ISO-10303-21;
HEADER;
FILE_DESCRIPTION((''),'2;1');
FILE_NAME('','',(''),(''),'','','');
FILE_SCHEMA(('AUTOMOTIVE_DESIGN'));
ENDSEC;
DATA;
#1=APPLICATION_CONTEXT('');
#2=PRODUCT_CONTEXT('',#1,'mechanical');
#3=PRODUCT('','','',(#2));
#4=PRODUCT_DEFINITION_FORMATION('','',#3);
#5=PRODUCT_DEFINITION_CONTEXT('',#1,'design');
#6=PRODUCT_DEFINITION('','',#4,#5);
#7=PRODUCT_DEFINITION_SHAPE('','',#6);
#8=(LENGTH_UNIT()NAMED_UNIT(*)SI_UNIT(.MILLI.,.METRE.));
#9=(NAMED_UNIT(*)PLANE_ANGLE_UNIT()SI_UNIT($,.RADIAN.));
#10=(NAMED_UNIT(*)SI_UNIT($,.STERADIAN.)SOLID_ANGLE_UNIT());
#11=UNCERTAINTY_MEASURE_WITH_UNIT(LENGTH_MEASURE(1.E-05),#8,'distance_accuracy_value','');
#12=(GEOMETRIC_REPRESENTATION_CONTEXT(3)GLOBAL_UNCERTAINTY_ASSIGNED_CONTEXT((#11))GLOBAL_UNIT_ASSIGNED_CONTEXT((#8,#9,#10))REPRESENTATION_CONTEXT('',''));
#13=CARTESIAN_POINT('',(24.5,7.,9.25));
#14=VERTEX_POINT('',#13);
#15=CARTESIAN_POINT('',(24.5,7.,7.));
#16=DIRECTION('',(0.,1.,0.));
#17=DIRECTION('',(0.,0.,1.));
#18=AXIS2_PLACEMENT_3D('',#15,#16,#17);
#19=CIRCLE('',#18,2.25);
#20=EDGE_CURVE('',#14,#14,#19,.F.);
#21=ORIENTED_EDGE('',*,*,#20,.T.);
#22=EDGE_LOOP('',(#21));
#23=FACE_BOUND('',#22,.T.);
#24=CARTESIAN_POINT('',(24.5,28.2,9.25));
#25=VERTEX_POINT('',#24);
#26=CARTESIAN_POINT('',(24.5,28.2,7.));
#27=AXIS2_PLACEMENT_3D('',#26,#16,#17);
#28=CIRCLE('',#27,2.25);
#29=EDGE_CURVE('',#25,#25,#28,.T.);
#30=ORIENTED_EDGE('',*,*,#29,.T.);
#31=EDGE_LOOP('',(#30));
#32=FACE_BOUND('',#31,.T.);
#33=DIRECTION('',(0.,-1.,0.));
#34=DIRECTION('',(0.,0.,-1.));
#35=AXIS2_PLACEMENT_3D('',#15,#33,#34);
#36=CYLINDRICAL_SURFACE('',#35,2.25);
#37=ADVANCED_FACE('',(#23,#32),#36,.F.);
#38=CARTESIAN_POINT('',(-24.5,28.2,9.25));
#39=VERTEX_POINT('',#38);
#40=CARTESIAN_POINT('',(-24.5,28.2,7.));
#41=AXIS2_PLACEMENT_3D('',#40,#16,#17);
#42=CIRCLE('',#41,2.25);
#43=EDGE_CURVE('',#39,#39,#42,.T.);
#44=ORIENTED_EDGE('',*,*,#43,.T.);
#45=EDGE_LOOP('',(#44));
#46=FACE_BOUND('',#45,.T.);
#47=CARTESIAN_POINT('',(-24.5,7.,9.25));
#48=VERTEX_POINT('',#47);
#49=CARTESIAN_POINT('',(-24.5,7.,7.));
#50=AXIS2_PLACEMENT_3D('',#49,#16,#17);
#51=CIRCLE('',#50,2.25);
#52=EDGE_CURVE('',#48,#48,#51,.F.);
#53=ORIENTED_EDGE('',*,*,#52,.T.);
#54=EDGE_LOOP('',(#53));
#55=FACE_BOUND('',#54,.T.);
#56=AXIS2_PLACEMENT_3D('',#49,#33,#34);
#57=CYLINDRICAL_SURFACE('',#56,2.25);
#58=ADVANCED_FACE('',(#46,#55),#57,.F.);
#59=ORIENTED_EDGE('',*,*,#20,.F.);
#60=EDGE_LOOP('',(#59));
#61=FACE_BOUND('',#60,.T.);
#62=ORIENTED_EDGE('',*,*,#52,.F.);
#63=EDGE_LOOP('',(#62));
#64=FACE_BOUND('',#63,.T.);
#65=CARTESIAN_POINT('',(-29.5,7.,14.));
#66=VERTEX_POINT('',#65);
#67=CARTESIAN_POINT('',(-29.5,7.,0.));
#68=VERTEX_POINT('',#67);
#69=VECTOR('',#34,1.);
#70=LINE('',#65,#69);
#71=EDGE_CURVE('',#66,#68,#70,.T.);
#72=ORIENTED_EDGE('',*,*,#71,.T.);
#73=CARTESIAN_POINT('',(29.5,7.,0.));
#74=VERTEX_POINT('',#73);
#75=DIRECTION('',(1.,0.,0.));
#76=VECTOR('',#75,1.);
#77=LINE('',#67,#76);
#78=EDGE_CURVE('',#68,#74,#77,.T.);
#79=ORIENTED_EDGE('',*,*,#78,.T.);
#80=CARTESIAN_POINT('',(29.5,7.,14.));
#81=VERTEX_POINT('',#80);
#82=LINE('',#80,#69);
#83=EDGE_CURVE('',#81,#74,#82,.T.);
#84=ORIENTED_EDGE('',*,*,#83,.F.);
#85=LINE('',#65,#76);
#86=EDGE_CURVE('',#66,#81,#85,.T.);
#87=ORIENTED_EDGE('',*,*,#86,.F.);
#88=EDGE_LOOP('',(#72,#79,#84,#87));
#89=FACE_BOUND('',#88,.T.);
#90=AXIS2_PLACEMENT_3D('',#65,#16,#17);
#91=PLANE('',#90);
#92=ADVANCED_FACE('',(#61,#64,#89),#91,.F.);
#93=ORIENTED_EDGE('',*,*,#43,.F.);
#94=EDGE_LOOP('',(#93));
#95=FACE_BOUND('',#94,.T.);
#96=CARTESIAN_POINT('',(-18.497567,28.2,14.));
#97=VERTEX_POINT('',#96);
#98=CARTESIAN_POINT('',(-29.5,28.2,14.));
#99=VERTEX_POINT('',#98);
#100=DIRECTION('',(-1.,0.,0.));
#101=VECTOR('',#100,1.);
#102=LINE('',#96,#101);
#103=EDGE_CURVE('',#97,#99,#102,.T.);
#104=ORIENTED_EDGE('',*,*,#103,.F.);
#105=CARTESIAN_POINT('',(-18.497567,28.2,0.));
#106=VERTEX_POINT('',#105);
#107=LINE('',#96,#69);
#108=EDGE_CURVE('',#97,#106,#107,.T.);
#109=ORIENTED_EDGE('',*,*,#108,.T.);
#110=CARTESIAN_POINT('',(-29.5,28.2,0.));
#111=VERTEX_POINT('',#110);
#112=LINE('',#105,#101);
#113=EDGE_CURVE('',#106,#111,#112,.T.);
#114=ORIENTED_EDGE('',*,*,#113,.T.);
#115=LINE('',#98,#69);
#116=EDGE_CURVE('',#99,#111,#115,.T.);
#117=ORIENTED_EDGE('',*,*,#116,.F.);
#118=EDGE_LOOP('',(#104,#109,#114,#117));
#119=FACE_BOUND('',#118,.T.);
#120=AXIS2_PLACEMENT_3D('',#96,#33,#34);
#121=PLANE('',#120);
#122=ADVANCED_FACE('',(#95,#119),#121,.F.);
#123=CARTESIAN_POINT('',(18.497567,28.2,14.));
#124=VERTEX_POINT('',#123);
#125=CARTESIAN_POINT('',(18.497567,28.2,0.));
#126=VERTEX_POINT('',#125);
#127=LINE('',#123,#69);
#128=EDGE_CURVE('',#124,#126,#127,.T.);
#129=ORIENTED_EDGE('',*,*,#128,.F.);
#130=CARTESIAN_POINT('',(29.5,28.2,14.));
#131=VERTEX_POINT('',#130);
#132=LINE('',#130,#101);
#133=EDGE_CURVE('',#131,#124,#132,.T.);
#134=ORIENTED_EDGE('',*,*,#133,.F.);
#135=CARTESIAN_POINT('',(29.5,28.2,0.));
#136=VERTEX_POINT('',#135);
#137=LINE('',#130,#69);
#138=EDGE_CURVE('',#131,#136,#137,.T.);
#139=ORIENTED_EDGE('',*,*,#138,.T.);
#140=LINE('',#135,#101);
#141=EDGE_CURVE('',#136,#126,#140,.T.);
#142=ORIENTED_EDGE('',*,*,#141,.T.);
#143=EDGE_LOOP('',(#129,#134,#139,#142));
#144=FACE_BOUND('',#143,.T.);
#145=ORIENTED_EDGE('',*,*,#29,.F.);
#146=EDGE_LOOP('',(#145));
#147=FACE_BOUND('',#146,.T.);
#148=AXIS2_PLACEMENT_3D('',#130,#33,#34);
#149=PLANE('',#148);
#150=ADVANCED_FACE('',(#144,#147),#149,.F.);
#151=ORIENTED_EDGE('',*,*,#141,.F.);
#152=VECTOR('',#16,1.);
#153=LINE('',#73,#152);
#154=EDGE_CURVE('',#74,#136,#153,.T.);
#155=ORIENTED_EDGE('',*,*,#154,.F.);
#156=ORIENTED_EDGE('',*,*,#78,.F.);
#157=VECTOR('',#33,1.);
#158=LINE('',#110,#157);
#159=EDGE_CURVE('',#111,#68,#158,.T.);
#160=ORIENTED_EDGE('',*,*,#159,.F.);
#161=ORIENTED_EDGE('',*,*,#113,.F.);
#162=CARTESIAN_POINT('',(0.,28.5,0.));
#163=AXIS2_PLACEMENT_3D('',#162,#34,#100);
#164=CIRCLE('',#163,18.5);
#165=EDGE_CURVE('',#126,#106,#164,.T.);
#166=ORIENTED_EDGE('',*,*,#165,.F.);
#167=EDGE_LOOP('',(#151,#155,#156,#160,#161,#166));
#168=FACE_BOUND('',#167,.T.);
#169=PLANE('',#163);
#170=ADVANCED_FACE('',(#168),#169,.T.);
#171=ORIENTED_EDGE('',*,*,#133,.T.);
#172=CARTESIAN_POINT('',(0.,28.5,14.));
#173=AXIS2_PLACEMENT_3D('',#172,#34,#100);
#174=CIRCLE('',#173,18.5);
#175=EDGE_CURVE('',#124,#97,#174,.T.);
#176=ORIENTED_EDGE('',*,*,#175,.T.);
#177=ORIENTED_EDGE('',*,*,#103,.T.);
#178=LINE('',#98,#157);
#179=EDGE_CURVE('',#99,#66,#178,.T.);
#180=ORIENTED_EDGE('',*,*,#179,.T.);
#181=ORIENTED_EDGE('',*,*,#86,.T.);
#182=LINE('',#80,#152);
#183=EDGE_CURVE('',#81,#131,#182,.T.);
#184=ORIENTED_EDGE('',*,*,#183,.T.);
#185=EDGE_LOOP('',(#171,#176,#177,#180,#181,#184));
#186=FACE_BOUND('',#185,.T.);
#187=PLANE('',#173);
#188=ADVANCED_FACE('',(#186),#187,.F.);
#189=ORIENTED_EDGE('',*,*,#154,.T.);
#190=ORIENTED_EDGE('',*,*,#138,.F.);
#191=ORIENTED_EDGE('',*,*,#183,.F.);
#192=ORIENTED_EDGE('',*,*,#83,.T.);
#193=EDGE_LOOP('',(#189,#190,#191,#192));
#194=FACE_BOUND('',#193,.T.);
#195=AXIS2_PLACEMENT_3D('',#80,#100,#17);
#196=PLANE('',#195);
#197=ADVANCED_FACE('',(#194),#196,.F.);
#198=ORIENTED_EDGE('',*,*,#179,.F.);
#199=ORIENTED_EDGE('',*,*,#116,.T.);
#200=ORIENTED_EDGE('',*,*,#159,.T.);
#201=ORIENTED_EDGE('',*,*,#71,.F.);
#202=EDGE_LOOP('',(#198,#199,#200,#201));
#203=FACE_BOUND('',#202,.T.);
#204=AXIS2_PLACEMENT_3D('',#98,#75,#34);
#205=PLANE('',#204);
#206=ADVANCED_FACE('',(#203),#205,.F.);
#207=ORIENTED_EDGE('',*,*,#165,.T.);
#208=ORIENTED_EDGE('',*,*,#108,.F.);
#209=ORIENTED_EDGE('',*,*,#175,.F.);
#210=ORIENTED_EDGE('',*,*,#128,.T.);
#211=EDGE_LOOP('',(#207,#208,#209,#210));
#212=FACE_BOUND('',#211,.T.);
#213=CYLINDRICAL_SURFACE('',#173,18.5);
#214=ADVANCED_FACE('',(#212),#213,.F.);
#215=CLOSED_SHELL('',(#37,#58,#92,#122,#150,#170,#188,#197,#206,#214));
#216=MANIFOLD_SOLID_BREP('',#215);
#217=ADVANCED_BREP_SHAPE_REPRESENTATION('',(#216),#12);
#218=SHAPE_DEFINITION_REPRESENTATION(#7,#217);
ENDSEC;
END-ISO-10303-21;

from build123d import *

# Parameters (mm, degrees)
SPLIT_SADDLE_WITH_37_0_MM_PROTOTYPE_BORE_DEPTH = 14
M4_THROUGH_HOLES_DEPTH                         = 44.144988121
M4_THROUGH_HOLES_DEPTH_BACK                    = 44.144988121
SKETCH2_R                                      = 2.25


with BuildPart() as part:
    # Split saddle with 37.0 mm prototype  2 → Split saddle with 37.0 mm prototype bore (new body)
    with BuildSketch(Plane.XY):
        with BuildLine():
            Line((-29.5, 7), (29.5, 7))
            Line((29.5, 7), (29.5, 28.2))
            Line((29.5, 28.2), (18.497567408, 28.2))
            ThreePointArc((18.497567408, 28.2), (0, 10), (-18.497567408, 28.2))
            Line((-18.497567408, 28.2), (-29.5, 28.2))
            Line((-29.5, 28.2), (-29.5, 7))
        make_face()
    extrude(amount=SPLIT_SADDLE_WITH_37_0_MM_PROTOTYPE_BORE_DEPTH)

    # Sketch2 → M4 through holes (cut, two sides: drawn at the far end of the back side and taken through both)
    with BuildSketch(Plane(origin=(0, 0, 0), x_dir=(1, 0, 0), z_dir=(0, 1, 0)).offset(-M4_THROUGH_HOLES_DEPTH_BACK)):
        with Locations(Location((-24.5, -7, 0), (0, 0, 270))):
            Circle(SKETCH2_R)
        with Locations(Location((24.5, -7, 0), (0, 0, 270))):
            Circle(SKETCH2_R)
    extrude(amount=M4_THROUGH_HOLES_DEPTH + M4_THROUGH_HOLES_DEPTH_BACK, mode=Mode.SUBTRACT)


solid = part.part
